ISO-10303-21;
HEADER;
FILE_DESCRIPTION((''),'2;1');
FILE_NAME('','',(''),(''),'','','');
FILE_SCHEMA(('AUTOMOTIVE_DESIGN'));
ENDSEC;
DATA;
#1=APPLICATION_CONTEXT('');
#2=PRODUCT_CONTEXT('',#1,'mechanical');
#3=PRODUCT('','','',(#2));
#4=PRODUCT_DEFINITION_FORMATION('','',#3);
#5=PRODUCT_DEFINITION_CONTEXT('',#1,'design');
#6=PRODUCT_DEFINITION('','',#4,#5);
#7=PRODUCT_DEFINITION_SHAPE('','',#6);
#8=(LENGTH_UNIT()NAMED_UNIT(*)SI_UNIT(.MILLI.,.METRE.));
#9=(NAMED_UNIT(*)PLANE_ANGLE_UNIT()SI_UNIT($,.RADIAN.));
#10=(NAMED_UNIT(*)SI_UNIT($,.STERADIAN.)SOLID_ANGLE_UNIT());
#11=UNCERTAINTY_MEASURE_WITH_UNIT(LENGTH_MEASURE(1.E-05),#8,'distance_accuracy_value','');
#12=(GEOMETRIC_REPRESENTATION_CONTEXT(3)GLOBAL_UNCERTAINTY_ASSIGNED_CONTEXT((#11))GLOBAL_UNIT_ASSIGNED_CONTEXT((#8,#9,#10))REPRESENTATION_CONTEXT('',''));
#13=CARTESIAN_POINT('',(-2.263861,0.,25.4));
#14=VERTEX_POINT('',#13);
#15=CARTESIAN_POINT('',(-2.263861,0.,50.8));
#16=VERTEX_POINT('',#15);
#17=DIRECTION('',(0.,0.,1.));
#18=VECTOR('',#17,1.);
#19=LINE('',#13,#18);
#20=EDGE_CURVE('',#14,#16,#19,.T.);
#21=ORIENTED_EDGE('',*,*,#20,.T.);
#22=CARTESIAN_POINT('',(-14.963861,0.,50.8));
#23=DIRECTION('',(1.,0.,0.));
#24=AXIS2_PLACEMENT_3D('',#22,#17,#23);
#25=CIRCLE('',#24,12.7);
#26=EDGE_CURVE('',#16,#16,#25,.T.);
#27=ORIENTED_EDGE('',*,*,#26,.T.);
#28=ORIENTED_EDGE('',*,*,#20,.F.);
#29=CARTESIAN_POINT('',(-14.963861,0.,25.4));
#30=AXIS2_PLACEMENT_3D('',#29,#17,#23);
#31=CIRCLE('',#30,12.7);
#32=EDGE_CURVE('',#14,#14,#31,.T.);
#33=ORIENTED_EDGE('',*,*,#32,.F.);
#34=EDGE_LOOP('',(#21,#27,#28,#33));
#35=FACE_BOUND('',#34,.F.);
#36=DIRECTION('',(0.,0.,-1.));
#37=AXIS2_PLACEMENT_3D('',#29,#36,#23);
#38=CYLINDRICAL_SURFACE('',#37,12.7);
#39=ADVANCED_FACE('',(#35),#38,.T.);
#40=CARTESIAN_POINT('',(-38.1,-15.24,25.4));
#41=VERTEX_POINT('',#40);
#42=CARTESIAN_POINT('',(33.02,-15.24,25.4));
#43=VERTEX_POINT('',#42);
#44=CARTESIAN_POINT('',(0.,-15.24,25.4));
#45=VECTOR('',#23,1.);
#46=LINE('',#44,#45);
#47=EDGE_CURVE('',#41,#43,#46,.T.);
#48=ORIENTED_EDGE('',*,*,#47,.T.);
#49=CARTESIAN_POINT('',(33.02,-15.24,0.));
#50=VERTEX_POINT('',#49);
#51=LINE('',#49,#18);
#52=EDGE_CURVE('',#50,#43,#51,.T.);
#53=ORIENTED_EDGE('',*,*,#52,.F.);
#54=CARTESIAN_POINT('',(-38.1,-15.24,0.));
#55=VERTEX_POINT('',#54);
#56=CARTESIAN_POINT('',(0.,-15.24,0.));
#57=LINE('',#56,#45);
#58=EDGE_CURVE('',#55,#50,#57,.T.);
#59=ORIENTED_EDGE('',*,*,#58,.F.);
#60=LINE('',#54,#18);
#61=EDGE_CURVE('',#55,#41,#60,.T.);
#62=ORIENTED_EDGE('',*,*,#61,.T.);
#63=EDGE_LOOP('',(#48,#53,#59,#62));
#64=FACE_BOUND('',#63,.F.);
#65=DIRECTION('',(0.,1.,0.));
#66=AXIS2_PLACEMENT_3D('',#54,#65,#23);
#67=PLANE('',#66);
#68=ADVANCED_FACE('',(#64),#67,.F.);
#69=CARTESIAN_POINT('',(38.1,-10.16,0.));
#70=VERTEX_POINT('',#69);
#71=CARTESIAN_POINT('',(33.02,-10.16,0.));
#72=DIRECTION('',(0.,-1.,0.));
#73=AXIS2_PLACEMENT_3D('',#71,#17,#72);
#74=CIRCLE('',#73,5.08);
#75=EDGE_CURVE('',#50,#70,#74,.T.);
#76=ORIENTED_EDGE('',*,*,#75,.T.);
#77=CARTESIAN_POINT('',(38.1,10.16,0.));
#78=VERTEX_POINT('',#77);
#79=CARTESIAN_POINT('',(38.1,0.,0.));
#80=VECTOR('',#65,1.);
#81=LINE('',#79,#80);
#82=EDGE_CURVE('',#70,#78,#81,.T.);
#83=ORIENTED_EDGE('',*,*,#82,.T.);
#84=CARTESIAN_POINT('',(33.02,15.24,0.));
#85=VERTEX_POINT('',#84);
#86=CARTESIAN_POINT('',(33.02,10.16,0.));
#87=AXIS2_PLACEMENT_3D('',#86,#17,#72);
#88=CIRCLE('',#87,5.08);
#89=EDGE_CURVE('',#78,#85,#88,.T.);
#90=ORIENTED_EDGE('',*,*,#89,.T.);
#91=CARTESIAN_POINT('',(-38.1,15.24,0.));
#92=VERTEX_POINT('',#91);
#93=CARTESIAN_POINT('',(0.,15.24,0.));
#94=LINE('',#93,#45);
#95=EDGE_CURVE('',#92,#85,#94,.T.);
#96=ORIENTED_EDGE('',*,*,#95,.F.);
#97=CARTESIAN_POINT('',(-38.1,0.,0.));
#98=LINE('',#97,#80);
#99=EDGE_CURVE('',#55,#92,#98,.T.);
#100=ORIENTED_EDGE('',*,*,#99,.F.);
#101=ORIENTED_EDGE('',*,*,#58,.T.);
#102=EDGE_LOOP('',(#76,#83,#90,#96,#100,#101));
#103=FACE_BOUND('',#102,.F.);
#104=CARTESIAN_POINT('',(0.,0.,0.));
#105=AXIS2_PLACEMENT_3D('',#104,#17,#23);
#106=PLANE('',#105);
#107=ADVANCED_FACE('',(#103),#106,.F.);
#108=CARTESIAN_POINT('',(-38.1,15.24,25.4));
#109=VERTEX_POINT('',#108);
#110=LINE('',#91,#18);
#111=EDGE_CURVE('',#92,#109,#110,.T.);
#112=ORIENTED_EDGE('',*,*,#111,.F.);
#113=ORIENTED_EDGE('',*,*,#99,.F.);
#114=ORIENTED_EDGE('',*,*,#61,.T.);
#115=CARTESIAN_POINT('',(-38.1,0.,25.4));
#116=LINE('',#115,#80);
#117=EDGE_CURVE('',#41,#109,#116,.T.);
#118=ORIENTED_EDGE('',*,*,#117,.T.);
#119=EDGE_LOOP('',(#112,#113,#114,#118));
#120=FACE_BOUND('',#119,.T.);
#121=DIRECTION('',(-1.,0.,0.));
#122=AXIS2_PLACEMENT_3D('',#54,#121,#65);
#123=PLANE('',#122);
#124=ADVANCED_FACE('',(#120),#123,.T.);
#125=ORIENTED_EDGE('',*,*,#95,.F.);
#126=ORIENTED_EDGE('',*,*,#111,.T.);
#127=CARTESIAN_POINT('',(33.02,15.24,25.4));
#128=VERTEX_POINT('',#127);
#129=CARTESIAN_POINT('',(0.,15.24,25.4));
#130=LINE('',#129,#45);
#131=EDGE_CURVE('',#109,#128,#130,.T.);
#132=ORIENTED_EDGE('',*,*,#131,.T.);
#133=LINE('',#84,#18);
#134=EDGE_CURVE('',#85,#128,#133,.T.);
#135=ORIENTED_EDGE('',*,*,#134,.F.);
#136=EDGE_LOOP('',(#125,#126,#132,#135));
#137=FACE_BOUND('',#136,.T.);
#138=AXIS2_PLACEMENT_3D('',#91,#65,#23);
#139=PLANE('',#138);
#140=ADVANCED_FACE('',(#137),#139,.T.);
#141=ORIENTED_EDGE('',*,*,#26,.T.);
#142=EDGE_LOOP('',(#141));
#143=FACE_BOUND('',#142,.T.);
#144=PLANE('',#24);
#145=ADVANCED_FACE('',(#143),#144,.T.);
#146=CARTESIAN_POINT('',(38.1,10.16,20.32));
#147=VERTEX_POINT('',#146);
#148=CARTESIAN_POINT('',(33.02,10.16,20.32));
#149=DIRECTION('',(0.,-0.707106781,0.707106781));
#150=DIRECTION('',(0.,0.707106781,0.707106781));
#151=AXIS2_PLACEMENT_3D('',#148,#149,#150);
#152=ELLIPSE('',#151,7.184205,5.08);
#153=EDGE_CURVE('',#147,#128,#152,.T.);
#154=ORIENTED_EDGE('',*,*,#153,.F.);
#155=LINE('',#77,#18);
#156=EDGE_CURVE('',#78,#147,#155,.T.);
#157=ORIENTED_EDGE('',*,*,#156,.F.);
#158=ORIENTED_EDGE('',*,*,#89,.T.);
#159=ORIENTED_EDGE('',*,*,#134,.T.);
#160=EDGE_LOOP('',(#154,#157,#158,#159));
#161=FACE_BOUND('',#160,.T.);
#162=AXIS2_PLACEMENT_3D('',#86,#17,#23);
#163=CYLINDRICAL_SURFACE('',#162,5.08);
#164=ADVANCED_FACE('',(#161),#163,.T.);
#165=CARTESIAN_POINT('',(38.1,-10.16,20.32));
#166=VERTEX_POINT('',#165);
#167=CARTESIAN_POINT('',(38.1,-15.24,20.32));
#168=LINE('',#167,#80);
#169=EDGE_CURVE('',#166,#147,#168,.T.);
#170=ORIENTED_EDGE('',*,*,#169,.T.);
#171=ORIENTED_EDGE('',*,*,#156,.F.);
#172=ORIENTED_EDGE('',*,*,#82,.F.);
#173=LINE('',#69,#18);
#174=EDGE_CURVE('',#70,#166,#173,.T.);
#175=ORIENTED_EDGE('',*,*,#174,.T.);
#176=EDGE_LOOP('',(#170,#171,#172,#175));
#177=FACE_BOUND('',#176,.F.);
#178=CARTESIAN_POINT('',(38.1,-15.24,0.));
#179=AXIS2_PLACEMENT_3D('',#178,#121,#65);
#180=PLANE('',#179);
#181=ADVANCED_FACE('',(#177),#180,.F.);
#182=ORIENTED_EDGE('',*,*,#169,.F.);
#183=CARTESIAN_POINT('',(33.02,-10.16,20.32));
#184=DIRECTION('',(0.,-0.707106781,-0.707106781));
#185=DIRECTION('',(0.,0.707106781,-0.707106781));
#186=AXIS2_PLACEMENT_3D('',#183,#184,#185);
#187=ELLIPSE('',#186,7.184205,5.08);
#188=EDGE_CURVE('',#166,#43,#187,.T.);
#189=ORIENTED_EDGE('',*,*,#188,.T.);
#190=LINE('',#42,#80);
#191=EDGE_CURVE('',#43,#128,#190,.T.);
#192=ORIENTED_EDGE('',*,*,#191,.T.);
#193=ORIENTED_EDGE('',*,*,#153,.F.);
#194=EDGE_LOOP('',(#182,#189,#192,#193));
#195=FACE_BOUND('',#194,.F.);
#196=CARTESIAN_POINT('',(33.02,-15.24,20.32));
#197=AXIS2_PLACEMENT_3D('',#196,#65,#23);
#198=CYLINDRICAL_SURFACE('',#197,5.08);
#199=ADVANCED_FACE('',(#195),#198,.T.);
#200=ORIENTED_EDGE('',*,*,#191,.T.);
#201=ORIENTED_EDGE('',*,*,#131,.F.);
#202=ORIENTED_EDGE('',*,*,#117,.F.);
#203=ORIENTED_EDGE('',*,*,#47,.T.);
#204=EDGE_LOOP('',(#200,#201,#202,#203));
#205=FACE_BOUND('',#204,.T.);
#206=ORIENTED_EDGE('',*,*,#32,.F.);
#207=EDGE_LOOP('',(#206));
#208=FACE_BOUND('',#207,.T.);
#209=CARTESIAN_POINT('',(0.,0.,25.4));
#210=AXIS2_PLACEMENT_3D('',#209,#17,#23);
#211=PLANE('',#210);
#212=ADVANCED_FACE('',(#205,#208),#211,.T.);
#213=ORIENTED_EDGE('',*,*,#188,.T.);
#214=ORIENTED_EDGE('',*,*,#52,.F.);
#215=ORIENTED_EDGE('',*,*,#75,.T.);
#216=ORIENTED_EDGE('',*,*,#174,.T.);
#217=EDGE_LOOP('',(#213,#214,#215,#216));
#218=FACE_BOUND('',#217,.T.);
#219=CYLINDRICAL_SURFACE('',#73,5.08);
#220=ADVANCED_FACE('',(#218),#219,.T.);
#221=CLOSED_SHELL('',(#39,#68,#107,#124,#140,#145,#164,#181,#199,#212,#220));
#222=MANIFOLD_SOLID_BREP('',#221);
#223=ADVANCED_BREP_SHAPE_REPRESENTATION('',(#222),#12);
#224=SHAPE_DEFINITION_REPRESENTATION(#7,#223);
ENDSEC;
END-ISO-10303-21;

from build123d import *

# Parameters (mm, degrees)
F0_W     = 76.2
F0_H     = 30.48
F1_DEPTH = 25.4
F2_R     = 5.08
F4_R     = 12.7
F5_DEPTH = 25.4


with BuildPart() as f1:
    # F0 (on Top) → F1 (new body)
    with BuildSketch(Plane.XY):
        Rectangle(F0_W, F0_H)
    extrude(amount=F1_DEPTH)

    # F2
    f2_edges = [f1.edges().sort_by_distance(p)[0] for p in [
        (38.1, 0, 25.4),
        (38.1, -15.24, 12.7),
        (38.1, 15.24, 12.7),
    ]]
    fillet(f2_edges, radius=F2_R)

    # F4 (on face) → F5 (join)
    with BuildSketch(Plane.XY.offset(25.4)):
        with Locations((-14.963861, 0)):
            Circle(F4_R)
    extrude(amount=F5_DEPTH)


solid = f1.part
